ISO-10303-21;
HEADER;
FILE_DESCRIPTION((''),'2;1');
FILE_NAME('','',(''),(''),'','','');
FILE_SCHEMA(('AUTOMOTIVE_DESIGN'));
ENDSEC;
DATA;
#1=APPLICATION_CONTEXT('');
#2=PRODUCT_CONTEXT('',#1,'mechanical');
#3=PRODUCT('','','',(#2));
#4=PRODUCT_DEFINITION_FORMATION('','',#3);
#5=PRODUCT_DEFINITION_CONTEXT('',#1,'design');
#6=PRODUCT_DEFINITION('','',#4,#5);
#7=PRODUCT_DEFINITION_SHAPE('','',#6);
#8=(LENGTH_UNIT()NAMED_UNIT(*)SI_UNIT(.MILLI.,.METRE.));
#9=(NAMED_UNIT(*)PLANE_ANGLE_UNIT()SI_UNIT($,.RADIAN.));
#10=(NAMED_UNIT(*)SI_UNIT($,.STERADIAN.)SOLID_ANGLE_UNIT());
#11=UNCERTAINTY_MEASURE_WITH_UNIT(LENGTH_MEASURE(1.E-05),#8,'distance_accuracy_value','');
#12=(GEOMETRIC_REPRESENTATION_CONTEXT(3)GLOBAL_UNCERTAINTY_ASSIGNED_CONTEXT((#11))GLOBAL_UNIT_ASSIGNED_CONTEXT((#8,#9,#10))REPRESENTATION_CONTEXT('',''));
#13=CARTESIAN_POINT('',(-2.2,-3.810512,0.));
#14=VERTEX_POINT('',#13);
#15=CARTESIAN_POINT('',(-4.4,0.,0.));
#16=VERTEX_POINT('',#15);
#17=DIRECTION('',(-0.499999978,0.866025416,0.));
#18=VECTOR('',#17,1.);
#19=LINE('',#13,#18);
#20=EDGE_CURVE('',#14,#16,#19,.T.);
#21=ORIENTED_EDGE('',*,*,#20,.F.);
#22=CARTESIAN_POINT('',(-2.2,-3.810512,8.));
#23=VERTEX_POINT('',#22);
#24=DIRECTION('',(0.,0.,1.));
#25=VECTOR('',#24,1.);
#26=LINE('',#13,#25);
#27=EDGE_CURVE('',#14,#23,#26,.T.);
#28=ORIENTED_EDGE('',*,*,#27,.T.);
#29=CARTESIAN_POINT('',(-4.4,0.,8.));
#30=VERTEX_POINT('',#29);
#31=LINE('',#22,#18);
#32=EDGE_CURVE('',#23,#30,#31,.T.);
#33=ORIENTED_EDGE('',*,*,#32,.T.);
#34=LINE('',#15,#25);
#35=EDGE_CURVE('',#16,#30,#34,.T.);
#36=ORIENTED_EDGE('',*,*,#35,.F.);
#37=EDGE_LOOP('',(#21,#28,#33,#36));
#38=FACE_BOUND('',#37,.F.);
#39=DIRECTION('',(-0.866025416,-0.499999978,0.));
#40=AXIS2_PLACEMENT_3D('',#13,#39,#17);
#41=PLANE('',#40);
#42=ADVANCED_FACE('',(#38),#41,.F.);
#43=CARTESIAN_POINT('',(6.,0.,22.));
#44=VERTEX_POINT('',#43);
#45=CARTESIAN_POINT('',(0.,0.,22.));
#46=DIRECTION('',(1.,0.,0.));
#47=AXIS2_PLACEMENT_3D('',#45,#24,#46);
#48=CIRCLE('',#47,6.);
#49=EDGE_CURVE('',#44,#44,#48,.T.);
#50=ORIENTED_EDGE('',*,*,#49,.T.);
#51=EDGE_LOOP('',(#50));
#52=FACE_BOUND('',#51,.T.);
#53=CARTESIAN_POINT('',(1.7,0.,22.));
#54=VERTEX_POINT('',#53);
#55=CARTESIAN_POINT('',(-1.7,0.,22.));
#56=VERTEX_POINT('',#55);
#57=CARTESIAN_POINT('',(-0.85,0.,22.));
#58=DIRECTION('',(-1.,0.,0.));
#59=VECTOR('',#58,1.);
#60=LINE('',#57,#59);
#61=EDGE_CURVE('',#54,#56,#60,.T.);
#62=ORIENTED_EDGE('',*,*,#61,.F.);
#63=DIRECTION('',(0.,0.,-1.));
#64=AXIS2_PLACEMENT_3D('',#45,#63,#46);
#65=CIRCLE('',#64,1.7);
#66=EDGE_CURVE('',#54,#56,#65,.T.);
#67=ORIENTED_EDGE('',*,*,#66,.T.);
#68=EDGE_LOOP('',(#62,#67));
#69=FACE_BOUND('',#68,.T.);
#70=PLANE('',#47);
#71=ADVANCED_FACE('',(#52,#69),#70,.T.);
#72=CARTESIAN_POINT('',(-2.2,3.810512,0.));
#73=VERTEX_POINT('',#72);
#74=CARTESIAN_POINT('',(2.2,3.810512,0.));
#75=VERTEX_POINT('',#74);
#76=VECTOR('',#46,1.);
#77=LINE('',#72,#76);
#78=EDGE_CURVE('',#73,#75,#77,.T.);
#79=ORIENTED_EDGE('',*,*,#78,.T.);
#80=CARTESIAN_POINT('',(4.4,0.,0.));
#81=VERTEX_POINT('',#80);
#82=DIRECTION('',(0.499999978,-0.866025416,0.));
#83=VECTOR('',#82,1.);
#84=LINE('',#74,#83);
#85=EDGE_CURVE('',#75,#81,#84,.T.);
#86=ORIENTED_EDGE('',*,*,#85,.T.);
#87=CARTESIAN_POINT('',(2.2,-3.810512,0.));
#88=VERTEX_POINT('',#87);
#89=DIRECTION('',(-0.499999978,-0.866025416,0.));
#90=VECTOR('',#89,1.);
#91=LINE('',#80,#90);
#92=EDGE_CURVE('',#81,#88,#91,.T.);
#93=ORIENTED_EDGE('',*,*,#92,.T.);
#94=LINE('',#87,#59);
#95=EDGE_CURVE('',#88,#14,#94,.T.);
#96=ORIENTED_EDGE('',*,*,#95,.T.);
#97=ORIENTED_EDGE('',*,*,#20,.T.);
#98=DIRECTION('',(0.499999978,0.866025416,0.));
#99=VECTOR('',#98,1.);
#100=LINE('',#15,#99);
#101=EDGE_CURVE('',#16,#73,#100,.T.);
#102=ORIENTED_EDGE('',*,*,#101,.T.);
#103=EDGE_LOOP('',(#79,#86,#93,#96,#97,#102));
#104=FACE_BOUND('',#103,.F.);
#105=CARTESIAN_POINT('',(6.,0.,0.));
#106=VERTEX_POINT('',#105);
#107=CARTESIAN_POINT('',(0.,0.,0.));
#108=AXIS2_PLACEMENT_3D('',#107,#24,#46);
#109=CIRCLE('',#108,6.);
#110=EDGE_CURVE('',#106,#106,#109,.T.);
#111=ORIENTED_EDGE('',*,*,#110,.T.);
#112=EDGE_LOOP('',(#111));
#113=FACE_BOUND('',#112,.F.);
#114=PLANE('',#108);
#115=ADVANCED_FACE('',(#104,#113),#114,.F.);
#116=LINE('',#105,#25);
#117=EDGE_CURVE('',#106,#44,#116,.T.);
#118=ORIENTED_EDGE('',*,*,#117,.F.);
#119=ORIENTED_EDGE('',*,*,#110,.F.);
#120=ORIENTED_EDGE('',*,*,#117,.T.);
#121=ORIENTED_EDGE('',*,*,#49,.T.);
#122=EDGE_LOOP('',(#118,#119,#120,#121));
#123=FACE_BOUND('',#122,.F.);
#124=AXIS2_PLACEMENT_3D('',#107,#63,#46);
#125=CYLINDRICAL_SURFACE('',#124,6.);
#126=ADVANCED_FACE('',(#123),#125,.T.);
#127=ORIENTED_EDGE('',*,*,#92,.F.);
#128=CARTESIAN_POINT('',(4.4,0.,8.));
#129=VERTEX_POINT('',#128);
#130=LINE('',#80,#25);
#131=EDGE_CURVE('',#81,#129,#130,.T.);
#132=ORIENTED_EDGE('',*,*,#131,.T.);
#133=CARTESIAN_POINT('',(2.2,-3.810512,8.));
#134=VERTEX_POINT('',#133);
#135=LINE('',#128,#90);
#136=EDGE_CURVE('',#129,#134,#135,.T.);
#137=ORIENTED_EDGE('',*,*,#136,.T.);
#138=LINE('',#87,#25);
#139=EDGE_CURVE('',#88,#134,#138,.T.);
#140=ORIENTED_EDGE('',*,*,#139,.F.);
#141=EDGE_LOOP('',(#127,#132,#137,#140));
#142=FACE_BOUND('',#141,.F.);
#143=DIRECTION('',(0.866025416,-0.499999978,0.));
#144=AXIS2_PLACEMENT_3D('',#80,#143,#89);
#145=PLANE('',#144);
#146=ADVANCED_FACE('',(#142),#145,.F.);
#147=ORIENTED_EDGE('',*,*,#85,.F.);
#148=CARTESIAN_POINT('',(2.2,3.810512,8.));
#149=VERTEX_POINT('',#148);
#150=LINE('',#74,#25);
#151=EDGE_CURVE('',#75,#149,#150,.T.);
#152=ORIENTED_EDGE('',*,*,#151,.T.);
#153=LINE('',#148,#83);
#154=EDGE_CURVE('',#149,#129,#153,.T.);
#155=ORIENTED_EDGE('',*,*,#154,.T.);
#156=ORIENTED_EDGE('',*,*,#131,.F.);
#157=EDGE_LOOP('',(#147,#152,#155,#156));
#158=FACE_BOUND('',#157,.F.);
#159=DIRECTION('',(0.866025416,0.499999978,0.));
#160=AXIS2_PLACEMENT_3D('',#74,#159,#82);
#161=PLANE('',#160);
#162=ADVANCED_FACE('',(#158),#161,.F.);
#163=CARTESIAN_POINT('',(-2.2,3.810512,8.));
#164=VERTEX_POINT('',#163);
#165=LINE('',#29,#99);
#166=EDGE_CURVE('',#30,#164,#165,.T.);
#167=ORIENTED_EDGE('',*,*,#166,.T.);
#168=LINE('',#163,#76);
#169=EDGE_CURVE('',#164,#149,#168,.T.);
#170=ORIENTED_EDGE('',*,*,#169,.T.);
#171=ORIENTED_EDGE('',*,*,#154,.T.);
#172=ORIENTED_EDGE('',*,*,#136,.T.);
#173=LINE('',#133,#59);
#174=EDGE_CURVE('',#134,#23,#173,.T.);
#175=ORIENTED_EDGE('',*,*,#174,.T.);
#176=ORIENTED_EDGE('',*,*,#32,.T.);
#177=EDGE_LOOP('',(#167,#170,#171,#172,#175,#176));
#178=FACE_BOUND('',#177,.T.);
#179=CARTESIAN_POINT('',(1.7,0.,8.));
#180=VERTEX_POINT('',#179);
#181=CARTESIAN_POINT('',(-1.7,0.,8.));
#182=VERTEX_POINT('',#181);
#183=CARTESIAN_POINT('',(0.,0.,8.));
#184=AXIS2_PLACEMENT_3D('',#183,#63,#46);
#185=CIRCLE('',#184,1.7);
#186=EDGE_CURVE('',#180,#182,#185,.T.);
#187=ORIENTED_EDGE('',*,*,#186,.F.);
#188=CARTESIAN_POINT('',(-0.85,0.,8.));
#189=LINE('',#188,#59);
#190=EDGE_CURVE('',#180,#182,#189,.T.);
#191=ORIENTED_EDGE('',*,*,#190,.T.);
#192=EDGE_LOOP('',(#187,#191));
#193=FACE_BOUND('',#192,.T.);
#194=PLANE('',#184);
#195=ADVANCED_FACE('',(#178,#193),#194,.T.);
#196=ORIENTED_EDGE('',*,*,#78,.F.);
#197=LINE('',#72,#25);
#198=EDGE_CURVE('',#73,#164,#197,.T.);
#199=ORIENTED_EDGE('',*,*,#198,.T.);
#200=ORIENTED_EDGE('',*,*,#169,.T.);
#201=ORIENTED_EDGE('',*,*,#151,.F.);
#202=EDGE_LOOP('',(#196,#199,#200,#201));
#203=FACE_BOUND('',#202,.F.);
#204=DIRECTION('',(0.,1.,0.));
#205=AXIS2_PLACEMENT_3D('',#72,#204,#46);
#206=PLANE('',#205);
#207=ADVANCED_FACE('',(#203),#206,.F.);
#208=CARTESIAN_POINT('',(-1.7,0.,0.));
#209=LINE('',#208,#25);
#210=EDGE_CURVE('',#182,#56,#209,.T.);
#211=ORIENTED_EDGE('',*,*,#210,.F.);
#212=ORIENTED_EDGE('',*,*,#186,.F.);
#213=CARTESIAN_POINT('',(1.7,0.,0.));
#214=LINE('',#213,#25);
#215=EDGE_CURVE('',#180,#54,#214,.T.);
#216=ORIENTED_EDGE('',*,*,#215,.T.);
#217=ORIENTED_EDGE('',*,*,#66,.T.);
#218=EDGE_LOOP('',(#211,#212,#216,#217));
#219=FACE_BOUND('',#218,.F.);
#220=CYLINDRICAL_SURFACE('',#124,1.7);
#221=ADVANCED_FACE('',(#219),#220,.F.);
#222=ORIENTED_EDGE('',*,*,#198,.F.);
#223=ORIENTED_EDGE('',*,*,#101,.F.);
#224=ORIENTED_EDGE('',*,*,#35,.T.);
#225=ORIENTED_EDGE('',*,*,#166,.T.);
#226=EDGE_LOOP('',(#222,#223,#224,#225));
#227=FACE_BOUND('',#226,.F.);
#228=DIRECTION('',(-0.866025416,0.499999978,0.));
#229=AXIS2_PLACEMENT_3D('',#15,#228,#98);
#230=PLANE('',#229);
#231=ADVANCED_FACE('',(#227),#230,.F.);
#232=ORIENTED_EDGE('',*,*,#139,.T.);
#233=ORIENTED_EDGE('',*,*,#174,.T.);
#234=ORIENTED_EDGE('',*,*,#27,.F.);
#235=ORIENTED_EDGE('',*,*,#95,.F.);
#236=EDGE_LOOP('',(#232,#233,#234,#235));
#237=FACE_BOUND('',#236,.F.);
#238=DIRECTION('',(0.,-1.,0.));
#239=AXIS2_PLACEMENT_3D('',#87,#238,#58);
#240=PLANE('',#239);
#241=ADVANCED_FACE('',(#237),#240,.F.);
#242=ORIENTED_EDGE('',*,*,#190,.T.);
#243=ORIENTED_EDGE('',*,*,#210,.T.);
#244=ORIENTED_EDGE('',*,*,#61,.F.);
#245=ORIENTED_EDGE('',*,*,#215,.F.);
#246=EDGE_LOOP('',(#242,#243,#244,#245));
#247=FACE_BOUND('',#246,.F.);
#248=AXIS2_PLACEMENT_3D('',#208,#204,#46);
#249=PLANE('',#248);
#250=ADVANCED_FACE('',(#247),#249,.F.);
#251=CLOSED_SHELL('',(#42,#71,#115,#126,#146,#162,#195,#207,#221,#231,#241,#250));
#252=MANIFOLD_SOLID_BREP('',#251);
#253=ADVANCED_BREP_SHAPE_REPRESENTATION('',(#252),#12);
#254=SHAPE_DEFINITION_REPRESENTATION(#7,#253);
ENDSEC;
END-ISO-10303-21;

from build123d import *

# Parameters (mm, degrees)
SKETCH_R        = 6
PAD_DEPTH       = 22
POCKET_DEPTH    = 25
POCKET001_DEPTH = 8


with BuildPart() as part:
    # Sketch → Pad (new body)
    with BuildSketch(Plane.XY):
        Circle(SKETCH_R)
    extrude(amount=PAD_DEPTH)

    # Sketch003 → Pocket (cut)
    with BuildSketch(Plane(origin=(0, 0, 0), x_dir=(1, 0, 0), z_dir=(0, 0, -1))):
        with BuildLine():
            ThreePointArc((1.7, 0), (0, 1.7), (-1.7, 0))
            Line((-1.7, 0), (1.7, 0))
        make_face()
    extrude(amount=-POCKET_DEPTH, mode=Mode.SUBTRACT)

    # Sketch004 (on Face2 of Pocket) → Pocket001 (cut)
    with BuildSketch(Plane(origin=(0, 0, 0), x_dir=(1, 0, 0), z_dir=(0, 0, -1))):
        Polygon((4.4, 0), (2.2, 3.810512), (-2.2, 3.810512), (-4.4, 0), (-2.2, -3.810512), (2.2, -3.810512), align=None)
    extrude(amount=-POCKET001_DEPTH, mode=Mode.SUBTRACT)


solid = part.part
